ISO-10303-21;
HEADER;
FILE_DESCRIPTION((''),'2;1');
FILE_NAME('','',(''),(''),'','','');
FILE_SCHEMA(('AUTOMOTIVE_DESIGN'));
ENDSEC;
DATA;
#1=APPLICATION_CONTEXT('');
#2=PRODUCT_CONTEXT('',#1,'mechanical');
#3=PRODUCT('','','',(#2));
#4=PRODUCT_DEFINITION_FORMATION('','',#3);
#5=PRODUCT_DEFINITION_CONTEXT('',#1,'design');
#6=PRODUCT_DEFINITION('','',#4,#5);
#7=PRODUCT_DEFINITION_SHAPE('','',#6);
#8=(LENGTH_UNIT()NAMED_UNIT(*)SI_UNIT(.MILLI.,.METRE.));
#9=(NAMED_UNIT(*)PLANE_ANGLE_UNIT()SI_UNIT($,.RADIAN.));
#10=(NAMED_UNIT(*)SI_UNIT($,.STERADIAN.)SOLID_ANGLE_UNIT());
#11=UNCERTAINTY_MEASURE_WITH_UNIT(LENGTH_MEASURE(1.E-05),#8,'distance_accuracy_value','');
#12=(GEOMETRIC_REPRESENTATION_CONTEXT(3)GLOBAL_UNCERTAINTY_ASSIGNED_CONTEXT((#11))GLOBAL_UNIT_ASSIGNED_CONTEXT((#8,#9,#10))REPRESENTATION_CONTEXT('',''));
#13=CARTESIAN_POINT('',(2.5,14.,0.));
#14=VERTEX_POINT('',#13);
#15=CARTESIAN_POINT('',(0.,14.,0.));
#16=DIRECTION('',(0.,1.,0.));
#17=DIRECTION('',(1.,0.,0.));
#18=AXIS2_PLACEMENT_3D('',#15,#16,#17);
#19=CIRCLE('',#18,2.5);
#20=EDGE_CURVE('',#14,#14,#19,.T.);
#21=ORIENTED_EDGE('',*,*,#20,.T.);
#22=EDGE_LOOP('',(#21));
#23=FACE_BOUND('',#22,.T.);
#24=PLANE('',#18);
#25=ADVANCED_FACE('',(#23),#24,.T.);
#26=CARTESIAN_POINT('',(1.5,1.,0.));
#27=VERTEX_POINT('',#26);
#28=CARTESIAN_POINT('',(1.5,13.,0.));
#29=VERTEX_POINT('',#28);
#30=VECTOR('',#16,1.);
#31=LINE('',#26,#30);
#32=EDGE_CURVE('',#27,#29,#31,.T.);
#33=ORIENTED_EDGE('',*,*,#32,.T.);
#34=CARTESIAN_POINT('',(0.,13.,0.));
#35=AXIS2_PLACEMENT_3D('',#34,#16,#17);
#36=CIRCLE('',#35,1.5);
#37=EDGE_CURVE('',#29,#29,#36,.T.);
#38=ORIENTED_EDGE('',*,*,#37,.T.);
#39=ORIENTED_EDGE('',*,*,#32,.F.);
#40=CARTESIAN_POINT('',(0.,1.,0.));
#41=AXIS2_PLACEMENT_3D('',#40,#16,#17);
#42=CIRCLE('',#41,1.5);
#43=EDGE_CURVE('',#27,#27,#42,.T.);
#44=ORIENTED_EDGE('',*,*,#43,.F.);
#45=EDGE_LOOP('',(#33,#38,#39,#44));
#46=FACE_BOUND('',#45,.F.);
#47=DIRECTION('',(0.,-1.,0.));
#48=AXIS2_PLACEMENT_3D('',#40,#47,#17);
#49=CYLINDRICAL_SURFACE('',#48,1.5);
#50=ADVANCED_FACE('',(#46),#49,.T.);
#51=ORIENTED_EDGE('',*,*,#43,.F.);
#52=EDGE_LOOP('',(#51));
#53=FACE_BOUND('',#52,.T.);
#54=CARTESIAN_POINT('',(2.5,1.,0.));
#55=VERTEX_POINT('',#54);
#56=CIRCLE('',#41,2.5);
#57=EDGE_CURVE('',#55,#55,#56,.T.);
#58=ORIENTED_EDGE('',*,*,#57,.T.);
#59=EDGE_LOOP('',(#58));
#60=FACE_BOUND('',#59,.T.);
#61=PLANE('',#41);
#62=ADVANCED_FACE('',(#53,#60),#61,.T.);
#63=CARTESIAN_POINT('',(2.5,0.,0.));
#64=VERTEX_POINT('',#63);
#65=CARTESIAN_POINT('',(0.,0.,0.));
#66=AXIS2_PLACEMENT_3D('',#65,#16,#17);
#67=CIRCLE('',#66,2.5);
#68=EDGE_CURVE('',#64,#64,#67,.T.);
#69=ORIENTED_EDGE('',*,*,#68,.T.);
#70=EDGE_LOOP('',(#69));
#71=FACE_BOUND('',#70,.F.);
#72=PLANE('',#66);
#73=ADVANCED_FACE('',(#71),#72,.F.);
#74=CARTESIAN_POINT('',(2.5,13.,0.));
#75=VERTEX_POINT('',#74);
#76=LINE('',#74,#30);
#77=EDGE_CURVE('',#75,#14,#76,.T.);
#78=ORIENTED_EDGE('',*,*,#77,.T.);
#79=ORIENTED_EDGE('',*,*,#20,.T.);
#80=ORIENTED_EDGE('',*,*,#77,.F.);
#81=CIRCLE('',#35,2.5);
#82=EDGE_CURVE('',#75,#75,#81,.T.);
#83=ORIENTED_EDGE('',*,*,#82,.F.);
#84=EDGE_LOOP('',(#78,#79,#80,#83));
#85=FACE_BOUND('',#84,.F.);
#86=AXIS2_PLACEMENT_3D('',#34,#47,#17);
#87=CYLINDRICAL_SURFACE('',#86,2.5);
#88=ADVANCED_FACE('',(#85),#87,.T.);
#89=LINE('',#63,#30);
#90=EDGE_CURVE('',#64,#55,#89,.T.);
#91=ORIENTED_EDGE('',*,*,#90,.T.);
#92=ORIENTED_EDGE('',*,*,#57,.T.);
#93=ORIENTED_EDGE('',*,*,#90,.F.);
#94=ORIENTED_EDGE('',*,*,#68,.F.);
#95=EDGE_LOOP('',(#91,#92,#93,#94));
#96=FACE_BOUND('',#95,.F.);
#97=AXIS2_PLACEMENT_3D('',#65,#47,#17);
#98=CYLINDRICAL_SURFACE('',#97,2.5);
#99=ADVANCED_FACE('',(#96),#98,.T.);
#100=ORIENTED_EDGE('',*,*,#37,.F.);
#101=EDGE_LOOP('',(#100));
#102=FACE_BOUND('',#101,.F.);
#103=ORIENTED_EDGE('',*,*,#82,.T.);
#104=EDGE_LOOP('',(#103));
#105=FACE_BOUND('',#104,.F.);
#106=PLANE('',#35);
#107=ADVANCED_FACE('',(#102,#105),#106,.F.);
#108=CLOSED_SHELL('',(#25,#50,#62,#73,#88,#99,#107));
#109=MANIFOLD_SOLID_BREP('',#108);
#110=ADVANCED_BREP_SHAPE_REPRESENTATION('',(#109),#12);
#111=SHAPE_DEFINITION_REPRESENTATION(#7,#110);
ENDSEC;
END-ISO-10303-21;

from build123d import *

# Parameters (mm, degrees)
SKETCH1_R           = 2.5
BOSS_EXTRUDE1_DEPTH = 1
SKETCH2_R           = 1.5
BOSS_EXTRUDE2_DEPTH = 12
SKETCH3_R           = 2.5
BOSS_EXTRUDE3_DEPTH = 1


with BuildPart() as part:
    # Sketch1 → Boss-Extrude1 (new body)
    with BuildSketch(Plane(origin=(0, 0, 0), x_dir=(1, 0, 0), z_dir=(0, 1, 0))):
        Circle(SKETCH1_R)
    extrude(amount=BOSS_EXTRUDE1_DEPTH)

    # Sketch2 → Boss-Extrude2 (add)
    with BuildSketch(Plane(origin=(0, 1, 0), x_dir=(1, 0, 0), z_dir=(0, 1, 0))):
        Circle(SKETCH2_R)
    extrude(amount=BOSS_EXTRUDE2_DEPTH)

    # Sketch3 → Boss-Extrude3 (add)
    with BuildSketch(Plane(origin=(0, 13, 0), x_dir=(1, 0, 0), z_dir=(0, 1, 0))):
        Circle(SKETCH3_R)
    extrude(amount=BOSS_EXTRUDE3_DEPTH)


solid = part.part
